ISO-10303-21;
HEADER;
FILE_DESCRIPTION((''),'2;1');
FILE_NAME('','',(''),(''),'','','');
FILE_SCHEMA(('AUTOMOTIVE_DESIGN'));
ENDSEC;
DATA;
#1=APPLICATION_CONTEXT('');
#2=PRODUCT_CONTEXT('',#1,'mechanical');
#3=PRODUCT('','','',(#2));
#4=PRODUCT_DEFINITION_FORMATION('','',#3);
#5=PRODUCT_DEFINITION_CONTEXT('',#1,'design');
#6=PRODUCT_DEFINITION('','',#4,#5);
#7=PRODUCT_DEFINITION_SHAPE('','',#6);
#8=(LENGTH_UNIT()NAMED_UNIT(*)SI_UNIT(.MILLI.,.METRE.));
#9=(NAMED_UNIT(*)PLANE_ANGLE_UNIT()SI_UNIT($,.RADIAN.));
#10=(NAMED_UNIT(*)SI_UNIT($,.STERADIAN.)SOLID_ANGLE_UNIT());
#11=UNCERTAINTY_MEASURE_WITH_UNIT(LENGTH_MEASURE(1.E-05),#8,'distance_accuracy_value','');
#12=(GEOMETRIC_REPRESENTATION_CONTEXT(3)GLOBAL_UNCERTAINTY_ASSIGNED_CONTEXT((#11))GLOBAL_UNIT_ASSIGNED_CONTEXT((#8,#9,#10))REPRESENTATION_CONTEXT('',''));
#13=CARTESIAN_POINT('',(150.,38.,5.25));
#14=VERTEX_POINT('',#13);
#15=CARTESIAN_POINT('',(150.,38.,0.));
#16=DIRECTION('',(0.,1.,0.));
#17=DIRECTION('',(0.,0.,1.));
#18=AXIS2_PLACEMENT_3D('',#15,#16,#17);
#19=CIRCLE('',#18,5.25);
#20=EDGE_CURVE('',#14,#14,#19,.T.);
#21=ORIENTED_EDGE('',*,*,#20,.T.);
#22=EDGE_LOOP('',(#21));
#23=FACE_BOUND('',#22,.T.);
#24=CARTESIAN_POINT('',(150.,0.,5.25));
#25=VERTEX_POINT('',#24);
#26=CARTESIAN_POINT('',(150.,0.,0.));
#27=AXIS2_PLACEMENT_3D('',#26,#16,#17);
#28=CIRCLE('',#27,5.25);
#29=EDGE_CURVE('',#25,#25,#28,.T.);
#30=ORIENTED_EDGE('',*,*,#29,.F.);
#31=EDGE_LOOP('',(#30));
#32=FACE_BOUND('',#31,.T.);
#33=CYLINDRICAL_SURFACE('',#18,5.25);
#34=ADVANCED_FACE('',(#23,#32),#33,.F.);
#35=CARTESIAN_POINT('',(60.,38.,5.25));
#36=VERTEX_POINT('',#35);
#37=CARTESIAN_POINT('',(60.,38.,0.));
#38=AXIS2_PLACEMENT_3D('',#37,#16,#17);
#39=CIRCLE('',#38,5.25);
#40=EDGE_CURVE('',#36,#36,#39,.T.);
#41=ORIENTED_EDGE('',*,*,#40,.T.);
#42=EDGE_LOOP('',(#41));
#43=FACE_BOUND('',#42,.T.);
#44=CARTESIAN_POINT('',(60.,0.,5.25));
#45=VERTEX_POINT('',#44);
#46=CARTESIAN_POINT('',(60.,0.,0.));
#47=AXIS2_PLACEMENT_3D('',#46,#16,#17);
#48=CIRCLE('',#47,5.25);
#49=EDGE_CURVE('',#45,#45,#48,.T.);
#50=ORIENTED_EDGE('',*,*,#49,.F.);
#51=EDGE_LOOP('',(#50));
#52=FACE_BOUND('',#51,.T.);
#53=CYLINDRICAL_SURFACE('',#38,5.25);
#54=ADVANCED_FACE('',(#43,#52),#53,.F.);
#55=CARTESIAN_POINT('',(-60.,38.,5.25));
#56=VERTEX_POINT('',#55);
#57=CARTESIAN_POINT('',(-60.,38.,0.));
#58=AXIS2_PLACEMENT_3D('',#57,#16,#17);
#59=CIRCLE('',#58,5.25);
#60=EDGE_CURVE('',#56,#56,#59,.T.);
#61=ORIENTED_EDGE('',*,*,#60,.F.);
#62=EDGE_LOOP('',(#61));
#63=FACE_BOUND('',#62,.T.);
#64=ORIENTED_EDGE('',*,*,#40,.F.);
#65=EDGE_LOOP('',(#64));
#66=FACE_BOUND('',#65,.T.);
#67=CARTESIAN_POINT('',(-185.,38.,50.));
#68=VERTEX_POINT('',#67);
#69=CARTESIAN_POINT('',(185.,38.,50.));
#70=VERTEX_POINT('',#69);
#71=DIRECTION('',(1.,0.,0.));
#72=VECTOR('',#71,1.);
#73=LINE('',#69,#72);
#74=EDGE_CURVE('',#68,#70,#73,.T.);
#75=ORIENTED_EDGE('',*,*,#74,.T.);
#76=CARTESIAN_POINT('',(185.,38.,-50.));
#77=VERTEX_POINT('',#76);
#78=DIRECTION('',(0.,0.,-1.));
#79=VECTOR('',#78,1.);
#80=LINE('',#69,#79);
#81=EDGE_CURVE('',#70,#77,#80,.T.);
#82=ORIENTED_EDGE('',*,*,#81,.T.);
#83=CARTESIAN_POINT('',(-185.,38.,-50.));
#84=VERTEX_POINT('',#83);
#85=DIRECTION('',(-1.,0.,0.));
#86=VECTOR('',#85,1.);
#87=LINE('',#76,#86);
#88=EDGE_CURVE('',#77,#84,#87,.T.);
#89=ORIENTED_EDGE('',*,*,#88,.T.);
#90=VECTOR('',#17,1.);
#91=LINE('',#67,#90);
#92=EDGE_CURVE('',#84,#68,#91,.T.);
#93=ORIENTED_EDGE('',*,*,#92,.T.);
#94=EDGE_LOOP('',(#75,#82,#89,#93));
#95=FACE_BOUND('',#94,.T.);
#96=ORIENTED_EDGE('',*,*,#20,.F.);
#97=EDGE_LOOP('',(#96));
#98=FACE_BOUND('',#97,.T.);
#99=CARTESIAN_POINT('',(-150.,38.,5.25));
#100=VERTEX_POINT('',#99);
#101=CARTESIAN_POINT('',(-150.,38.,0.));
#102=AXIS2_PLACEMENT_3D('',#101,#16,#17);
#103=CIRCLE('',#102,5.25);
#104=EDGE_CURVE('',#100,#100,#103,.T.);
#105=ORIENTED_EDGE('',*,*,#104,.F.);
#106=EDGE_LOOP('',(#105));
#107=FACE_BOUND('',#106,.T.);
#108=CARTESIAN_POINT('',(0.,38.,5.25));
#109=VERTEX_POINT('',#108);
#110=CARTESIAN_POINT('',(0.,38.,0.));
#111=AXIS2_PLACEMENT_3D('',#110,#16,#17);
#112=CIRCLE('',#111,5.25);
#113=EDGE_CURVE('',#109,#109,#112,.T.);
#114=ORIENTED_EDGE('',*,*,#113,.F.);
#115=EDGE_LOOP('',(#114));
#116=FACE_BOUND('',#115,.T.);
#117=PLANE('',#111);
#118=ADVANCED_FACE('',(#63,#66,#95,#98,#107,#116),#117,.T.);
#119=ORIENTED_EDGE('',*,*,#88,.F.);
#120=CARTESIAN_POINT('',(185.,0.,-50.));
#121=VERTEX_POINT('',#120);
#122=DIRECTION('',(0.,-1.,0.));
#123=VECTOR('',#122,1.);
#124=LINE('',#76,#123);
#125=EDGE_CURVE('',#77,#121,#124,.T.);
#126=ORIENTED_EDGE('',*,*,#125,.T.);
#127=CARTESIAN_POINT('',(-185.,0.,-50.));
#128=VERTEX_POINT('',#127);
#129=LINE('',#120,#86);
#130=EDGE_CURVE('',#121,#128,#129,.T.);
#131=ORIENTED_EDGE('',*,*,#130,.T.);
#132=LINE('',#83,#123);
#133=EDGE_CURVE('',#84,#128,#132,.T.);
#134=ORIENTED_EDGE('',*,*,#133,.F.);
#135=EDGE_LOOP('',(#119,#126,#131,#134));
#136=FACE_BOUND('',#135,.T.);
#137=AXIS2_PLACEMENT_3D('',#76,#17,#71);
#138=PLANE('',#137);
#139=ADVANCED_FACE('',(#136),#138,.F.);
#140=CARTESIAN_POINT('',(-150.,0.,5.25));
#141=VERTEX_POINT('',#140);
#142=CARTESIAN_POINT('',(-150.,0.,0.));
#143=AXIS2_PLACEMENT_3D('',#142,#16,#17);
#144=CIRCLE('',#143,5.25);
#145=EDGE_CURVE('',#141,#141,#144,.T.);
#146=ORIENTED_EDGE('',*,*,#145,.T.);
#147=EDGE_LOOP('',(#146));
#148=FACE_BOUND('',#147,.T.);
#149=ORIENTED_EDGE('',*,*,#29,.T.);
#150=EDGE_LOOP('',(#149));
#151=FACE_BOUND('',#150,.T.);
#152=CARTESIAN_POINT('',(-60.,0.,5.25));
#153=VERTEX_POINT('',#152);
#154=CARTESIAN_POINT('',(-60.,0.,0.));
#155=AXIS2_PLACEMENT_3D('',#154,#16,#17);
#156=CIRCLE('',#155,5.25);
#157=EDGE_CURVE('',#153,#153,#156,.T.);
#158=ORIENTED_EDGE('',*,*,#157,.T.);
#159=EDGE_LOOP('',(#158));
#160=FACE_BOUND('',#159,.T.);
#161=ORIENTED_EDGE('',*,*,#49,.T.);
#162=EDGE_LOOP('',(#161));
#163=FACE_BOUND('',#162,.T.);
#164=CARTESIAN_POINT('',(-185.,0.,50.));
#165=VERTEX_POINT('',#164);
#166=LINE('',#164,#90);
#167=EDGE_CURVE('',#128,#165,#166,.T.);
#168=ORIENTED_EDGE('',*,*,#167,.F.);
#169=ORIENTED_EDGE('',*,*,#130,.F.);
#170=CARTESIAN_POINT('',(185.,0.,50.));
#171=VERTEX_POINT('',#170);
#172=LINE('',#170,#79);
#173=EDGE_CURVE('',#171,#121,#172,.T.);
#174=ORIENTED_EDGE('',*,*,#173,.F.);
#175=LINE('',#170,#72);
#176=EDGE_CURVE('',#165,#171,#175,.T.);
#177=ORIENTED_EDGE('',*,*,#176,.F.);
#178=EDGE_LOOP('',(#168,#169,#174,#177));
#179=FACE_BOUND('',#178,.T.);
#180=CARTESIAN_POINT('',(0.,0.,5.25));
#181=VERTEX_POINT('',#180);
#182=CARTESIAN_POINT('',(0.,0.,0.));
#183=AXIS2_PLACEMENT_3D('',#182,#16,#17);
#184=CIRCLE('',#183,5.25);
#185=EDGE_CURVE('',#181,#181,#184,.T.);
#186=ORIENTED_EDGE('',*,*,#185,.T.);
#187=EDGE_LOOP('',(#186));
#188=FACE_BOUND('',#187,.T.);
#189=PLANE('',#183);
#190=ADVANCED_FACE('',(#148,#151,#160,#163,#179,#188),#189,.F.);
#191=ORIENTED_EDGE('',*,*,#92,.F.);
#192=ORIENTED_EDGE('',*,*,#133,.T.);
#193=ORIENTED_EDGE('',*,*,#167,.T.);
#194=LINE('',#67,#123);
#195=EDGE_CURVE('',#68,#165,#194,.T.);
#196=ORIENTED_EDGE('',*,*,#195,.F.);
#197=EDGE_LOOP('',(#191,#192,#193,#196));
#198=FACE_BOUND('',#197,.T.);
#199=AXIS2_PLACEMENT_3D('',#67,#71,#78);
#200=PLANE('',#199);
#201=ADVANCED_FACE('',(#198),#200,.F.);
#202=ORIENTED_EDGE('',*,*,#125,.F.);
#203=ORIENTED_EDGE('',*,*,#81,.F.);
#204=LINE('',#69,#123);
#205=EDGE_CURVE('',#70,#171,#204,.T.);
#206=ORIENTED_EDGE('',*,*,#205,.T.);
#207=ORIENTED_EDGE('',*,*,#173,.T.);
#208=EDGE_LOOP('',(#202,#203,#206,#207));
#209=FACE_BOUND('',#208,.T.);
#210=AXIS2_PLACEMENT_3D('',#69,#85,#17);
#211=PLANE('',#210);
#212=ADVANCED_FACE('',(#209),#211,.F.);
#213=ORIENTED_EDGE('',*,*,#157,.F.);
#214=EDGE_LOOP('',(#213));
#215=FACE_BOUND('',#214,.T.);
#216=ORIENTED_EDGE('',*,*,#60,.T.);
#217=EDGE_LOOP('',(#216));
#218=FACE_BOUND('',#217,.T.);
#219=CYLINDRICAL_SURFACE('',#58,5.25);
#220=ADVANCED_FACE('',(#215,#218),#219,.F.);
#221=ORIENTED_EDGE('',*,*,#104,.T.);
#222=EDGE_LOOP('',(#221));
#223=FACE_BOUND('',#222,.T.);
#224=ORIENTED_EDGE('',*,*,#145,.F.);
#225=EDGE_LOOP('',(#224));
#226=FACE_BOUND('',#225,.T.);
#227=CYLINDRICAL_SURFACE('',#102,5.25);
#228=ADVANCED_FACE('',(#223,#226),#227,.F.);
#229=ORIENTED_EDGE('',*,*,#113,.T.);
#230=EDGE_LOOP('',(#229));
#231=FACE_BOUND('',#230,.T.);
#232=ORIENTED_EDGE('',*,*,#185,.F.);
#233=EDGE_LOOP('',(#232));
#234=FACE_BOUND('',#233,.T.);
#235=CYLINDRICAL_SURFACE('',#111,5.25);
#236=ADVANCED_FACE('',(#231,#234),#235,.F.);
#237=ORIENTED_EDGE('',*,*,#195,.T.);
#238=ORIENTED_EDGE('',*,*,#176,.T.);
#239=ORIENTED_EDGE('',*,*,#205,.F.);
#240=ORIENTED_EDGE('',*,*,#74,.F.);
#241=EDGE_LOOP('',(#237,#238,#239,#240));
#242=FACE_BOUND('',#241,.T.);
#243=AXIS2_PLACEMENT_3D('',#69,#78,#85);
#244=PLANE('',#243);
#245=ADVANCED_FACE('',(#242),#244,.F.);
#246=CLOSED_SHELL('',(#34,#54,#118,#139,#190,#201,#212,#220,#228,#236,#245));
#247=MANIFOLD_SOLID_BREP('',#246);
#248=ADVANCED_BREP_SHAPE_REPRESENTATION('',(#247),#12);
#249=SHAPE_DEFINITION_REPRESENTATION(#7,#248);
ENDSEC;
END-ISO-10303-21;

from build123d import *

# Parameters (mm, degrees)
SKETCH_1_W             = 370
SKETCH_1_H             = 100
EXTRUDE_1_DEPTH        = 38
M12X1_25_1_D           = 10.5
PATTERN_LINEAR_1_COUNT = 2
PATTERN_LINEAR_1_PITCH = 90
PATTERN_LINEAR_3_COUNT = 2
PATTERN_LINEAR_3_PITCH = 150
PATTERN_LINEAR_4_COUNT = 2
PATTERN_LINEAR_4_PITCH = 210
PATTERN_LINEAR_5_COUNT = 2
PATTERN_LINEAR_5_PITCH = 300


with BuildPart() as part:
    # 草图1 → 凸台-拉伸1 (new body)
    with BuildSketch(Plane(origin=(0, 0, 0), x_dir=(1, 0, 0), z_dir=(0, 1, 0))):
        Rectangle(SKETCH_1_W, SKETCH_1_H)
    extrude(amount=EXTRUDE_1_DEPTH)

    # M12x1.25 螺纹孔1 (through all)
    with Locations(Plane(origin=(0, 38, 0), x_dir=(1, 0, 0), z_dir=(0, 1, 0))):
        with Locations((-150, 0)):
            m12x1_25_1 = Hole(M12X1_25_1_D / 2)

    # 阵列(线性)1: M12x1.25 螺纹孔1 ×2
    with Locations(*[(i * PATTERN_LINEAR_1_PITCH, 0, 0) for i in range(1, PATTERN_LINEAR_1_COUNT)]):
        add(m12x1_25_1, mode=Mode.SUBTRACT)

    # 阵列(线性)3: M12x1.25 螺纹孔1 ×2
    with Locations(*[(i * PATTERN_LINEAR_3_PITCH, 0, 0) for i in range(1, PATTERN_LINEAR_3_COUNT)]):
        add(m12x1_25_1, mode=Mode.SUBTRACT)

    # 阵列(线性)4: M12x1.25 螺纹孔1 ×2
    with Locations(*[(i * PATTERN_LINEAR_4_PITCH, 0, 0) for i in range(1, PATTERN_LINEAR_4_COUNT)]):
        add(m12x1_25_1, mode=Mode.SUBTRACT)

    # 阵列(线性)5: M12x1.25 螺纹孔1 ×2
    with Locations(*[(i * PATTERN_LINEAR_5_PITCH, 0, 0) for i in range(1, PATTERN_LINEAR_5_COUNT)]):
        add(m12x1_25_1, mode=Mode.SUBTRACT)


solid = part.part
